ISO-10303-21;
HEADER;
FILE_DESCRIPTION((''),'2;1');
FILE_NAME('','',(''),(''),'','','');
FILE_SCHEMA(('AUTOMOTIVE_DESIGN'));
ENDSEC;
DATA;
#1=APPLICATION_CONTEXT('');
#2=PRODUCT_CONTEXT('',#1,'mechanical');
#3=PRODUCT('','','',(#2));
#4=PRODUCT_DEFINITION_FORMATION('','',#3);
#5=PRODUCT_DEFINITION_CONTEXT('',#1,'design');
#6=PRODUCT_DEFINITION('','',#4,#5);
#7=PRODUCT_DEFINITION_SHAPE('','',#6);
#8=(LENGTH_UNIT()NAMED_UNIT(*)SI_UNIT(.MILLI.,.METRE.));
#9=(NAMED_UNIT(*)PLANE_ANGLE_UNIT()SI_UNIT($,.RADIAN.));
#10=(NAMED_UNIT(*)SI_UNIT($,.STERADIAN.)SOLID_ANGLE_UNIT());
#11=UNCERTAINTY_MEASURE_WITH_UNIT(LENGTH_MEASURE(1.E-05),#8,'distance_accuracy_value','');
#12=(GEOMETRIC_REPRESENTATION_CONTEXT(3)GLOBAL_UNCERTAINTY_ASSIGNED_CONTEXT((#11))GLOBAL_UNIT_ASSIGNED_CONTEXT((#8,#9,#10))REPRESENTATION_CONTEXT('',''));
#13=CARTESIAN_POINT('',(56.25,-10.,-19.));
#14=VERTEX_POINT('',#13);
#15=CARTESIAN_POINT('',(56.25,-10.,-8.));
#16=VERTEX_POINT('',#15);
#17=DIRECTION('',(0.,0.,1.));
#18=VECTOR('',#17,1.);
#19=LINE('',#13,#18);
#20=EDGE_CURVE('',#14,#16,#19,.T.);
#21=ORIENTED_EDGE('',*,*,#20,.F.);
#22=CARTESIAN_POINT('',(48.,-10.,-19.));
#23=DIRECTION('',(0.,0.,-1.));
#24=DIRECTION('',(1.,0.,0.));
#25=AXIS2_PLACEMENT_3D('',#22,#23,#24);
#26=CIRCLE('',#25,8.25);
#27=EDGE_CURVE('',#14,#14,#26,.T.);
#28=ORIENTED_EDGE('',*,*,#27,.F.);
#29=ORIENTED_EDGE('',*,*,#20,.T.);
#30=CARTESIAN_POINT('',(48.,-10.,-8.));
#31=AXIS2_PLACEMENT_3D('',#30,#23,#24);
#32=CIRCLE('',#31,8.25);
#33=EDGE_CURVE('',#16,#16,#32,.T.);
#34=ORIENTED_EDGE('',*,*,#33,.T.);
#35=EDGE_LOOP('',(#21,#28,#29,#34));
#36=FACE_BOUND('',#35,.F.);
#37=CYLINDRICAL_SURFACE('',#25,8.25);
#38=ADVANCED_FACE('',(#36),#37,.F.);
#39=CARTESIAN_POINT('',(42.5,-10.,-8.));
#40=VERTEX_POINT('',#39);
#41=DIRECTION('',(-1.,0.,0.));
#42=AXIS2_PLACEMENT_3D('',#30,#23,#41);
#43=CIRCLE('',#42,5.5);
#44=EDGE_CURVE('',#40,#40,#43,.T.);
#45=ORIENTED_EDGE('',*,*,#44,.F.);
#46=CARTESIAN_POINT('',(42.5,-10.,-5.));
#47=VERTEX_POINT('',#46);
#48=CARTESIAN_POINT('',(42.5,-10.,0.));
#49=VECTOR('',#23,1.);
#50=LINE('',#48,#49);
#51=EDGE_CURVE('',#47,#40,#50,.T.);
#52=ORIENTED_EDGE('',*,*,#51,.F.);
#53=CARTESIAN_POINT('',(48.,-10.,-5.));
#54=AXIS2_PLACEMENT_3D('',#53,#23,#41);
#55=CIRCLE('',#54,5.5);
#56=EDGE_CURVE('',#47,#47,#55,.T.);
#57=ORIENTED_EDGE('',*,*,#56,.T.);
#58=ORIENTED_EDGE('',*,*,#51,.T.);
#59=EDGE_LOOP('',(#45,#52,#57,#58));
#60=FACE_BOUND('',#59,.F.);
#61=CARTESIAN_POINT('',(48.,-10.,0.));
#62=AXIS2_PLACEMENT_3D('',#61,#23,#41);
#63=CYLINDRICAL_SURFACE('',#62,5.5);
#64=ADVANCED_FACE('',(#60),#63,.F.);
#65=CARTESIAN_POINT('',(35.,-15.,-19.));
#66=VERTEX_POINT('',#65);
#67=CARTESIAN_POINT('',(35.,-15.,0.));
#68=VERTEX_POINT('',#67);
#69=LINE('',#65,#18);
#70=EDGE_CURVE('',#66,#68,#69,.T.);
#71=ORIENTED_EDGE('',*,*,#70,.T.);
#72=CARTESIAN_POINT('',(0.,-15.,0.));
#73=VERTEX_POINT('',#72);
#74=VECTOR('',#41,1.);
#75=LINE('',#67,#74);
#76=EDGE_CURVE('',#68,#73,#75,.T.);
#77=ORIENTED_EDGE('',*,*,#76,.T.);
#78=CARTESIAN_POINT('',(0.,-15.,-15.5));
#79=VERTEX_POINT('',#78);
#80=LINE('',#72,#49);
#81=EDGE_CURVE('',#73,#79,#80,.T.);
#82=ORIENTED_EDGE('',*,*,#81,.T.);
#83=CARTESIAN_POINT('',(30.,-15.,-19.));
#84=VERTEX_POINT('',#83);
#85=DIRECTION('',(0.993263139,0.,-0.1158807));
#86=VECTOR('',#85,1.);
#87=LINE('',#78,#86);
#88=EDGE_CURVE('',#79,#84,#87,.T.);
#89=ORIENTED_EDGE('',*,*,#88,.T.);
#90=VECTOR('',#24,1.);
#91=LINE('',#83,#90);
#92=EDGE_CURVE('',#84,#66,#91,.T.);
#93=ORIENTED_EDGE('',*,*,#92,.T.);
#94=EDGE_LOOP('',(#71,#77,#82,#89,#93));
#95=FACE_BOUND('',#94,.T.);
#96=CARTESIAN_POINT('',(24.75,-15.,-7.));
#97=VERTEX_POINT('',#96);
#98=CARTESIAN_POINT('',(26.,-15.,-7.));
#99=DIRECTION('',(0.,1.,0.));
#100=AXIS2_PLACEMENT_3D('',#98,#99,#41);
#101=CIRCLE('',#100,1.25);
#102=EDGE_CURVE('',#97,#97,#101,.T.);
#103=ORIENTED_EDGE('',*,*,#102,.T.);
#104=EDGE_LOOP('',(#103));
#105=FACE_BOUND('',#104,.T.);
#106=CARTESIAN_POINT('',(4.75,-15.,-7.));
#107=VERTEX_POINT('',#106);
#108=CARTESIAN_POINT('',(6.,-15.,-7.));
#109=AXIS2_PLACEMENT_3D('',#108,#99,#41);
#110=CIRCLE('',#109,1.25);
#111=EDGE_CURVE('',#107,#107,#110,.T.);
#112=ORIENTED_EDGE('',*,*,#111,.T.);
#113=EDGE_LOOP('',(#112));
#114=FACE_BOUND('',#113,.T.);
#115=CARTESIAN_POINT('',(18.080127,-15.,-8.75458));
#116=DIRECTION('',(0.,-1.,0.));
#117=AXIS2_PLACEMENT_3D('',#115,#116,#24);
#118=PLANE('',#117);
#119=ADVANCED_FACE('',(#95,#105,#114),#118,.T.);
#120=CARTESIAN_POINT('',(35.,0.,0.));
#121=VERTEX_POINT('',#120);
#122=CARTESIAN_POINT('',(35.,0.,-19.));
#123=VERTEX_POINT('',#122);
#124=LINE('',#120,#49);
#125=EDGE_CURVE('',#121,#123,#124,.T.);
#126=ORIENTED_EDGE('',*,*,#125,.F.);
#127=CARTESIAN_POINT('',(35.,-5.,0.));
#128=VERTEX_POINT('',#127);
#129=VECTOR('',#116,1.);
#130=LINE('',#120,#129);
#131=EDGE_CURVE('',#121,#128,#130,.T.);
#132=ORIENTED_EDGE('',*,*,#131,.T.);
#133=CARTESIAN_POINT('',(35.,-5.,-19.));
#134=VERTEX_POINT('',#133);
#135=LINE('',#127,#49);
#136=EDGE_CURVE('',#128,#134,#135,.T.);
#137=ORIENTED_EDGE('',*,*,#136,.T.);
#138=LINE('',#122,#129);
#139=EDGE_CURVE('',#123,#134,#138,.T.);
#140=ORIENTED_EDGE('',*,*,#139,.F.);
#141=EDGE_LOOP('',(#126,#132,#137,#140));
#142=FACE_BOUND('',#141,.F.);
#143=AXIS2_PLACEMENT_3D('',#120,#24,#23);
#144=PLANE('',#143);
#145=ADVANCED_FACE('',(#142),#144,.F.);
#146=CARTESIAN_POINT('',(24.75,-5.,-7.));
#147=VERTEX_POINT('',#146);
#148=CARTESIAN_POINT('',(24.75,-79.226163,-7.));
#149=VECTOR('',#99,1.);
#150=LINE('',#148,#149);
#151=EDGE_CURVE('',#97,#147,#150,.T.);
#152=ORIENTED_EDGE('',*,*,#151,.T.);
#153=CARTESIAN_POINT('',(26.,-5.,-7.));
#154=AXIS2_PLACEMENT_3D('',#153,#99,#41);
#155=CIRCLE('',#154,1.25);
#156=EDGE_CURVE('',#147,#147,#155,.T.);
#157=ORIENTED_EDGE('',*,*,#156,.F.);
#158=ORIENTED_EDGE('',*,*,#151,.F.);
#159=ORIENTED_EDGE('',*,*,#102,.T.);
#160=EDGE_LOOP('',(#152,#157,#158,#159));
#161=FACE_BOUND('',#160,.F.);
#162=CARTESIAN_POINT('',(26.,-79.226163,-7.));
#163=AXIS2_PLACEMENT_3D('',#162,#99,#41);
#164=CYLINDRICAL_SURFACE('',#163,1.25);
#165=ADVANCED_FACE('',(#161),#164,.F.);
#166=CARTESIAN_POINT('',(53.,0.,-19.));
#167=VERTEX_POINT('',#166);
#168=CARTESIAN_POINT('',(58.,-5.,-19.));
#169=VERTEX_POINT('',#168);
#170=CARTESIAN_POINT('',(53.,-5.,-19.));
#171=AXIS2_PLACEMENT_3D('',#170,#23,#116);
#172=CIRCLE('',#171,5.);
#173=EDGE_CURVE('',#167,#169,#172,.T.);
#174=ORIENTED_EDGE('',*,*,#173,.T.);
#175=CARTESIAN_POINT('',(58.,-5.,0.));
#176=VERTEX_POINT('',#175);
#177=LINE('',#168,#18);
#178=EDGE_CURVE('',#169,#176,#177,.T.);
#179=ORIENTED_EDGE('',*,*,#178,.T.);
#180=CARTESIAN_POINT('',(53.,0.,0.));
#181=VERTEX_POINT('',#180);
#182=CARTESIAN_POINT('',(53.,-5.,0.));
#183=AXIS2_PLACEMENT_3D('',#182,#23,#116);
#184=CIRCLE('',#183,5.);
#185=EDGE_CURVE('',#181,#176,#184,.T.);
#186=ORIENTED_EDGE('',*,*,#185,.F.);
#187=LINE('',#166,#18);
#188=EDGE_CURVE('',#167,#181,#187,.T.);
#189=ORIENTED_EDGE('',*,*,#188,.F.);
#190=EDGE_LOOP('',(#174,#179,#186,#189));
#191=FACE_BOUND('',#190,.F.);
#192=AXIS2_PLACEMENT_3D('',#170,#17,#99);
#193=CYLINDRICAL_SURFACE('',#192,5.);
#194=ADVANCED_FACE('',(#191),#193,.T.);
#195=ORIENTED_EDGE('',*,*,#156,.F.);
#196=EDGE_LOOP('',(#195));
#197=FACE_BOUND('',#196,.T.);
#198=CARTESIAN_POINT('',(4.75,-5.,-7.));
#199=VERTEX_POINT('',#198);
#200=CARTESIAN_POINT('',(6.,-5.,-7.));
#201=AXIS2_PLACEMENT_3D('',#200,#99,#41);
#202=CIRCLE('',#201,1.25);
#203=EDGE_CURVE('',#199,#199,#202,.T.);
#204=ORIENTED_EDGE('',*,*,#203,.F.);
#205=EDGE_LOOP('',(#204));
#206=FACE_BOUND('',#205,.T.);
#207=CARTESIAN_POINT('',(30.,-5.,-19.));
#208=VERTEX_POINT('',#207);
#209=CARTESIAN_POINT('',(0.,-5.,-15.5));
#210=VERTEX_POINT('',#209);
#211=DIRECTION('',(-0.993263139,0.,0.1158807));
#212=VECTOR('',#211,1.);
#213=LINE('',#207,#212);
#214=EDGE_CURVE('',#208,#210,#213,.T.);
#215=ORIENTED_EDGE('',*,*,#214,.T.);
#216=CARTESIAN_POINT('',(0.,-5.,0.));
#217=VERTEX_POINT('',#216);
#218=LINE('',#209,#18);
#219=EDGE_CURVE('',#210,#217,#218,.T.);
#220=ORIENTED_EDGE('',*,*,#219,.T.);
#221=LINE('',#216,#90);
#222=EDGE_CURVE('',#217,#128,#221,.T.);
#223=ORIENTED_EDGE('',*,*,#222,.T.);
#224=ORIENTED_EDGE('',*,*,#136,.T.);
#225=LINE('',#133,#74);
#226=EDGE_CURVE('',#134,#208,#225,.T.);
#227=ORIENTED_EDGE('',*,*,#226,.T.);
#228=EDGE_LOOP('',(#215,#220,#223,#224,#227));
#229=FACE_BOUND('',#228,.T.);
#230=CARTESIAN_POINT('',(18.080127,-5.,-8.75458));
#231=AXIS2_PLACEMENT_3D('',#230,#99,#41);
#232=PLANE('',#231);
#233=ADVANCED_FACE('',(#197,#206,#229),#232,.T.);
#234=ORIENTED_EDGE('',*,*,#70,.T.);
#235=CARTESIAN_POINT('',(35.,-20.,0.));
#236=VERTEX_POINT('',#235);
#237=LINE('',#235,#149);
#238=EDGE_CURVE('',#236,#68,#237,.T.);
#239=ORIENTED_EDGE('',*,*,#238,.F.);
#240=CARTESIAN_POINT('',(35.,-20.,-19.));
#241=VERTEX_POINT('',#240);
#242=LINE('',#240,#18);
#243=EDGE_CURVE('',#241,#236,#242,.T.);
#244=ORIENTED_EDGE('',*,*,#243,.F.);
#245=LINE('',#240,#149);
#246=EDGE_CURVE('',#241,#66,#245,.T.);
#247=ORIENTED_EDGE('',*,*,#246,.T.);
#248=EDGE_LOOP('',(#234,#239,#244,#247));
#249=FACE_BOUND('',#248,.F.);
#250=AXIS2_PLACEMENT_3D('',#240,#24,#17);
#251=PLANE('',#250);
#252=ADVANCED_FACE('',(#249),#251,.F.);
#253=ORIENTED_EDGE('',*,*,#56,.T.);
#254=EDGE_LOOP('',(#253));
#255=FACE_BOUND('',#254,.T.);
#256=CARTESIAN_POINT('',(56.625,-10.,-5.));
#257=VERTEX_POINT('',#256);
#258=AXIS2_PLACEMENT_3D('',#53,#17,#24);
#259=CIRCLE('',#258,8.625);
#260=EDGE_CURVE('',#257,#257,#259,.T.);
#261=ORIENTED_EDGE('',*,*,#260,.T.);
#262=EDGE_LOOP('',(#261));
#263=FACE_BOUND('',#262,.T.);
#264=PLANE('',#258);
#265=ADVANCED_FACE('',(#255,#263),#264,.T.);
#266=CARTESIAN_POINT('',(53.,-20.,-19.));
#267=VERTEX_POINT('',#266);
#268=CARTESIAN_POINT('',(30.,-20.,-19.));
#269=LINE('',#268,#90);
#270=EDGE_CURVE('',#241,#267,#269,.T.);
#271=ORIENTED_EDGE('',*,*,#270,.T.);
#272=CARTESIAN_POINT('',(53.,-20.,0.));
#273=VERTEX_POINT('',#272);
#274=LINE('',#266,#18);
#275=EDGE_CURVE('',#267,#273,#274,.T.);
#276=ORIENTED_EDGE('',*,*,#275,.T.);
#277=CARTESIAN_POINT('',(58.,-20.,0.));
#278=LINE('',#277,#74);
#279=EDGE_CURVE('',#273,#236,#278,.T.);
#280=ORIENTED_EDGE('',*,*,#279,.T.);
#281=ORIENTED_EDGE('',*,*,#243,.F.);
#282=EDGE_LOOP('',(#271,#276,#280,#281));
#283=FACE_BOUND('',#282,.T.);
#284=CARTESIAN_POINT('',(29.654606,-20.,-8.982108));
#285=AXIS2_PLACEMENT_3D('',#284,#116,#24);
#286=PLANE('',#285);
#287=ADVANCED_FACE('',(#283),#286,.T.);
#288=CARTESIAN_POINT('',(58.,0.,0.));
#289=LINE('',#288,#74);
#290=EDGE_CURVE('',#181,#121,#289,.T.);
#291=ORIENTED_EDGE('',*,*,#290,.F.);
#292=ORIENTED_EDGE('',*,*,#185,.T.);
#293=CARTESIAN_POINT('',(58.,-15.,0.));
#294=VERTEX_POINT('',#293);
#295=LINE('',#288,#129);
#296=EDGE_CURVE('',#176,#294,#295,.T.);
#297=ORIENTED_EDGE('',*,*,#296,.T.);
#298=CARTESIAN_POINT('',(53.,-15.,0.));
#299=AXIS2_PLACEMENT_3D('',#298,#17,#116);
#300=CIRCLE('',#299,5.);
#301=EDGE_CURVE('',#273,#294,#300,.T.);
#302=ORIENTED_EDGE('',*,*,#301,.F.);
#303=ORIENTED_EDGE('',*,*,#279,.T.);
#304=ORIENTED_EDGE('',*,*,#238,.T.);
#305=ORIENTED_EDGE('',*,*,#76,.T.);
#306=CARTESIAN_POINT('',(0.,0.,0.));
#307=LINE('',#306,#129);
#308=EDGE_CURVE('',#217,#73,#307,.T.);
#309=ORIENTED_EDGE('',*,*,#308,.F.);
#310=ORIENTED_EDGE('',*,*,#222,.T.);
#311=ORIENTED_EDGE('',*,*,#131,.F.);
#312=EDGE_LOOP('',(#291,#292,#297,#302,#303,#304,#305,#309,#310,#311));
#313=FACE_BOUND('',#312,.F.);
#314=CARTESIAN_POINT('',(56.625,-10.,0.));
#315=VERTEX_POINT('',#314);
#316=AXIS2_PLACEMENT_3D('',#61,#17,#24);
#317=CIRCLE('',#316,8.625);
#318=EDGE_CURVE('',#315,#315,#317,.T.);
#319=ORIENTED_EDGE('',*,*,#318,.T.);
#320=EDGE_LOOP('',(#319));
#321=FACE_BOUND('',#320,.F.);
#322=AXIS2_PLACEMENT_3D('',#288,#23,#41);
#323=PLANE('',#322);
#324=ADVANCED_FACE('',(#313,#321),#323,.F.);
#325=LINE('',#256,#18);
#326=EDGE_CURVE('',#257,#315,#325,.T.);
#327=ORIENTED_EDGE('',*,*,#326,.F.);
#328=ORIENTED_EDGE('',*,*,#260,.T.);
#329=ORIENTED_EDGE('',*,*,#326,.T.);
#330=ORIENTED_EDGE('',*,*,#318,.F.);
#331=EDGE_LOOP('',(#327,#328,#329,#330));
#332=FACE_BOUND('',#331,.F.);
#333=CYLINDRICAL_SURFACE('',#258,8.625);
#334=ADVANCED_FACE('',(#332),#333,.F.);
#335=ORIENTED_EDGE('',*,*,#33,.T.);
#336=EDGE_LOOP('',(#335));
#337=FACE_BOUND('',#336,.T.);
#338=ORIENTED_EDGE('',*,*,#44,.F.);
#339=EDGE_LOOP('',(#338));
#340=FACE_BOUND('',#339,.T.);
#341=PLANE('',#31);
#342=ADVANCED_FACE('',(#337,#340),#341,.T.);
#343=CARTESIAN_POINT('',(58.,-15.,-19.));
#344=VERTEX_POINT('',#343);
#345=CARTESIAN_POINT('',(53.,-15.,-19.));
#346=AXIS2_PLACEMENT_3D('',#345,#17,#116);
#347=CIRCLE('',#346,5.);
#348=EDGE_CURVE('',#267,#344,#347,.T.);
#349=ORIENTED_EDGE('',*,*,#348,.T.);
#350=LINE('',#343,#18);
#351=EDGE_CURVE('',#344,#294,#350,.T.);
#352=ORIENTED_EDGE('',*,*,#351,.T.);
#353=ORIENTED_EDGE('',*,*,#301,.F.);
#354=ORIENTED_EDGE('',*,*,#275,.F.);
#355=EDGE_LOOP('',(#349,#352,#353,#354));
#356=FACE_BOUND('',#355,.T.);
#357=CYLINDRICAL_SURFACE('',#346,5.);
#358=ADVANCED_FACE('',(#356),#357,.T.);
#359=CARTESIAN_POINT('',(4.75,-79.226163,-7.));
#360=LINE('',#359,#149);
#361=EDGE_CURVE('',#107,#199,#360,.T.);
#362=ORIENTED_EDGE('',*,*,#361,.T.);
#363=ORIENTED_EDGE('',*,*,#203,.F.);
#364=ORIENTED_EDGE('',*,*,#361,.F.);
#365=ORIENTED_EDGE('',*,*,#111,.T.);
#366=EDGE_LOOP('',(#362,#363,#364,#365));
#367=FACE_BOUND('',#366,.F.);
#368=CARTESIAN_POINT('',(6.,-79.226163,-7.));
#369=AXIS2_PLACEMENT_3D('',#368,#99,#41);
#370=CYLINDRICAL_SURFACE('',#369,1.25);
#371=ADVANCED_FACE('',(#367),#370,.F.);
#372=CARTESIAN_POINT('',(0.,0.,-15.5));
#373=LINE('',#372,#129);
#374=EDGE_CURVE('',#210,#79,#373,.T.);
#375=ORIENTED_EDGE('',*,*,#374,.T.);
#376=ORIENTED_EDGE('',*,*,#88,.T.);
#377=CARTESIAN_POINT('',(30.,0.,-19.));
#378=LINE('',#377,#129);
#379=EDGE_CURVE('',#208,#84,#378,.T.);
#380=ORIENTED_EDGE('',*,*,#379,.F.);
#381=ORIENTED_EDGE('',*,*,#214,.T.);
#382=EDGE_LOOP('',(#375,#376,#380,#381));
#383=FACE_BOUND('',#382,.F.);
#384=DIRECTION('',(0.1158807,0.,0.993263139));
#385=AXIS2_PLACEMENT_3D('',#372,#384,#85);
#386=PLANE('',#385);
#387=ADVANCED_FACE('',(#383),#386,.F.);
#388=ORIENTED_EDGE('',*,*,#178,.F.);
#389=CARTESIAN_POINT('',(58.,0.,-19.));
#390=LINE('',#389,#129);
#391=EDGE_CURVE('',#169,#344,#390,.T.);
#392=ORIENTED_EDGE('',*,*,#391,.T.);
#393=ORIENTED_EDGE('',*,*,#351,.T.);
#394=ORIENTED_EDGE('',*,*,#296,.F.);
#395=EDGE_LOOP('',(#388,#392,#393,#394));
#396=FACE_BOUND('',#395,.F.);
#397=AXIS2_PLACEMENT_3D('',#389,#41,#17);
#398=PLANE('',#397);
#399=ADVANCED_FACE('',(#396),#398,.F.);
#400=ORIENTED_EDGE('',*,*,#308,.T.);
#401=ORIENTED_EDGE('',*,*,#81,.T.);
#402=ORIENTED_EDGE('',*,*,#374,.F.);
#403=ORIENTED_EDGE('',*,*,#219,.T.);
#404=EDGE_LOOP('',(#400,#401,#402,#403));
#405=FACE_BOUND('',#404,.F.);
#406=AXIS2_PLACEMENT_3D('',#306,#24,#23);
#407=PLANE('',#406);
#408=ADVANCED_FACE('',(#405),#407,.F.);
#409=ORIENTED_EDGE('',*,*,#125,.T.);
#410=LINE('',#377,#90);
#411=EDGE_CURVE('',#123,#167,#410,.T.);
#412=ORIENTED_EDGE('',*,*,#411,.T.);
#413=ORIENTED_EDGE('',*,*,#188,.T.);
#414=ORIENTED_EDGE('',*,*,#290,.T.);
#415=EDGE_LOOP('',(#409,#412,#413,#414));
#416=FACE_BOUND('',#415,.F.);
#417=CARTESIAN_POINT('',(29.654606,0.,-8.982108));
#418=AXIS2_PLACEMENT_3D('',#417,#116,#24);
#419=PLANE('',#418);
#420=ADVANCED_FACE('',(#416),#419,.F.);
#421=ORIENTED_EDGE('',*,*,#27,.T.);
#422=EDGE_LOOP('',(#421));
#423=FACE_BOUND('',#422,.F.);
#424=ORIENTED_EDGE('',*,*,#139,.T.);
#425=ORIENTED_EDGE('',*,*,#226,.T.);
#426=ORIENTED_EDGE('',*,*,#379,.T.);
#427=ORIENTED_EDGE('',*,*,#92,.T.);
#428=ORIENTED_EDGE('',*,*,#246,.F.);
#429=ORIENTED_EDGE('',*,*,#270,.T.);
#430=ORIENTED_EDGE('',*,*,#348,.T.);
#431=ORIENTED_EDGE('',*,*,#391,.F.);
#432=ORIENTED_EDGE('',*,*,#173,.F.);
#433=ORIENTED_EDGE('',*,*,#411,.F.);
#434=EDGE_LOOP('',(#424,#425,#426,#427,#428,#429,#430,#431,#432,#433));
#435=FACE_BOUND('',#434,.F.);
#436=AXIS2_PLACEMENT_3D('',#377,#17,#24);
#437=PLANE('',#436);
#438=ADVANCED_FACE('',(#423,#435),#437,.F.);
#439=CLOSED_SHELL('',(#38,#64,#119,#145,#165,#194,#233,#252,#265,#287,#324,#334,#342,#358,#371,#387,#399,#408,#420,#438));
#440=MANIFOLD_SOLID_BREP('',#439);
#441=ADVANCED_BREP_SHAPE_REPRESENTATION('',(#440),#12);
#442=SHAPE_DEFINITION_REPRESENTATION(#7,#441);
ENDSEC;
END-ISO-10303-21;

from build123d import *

# Parameters (mm, degrees)
F1_DEPTH       = 20
F3_D           = 11
F3_CBORE_D     = 17.25
F3_CBORE_DEPTH = 5
F4_R           = 8.25
F5_DEPTH       = 11
F7_DEPTH       = 5
F9_DEPTH       = 5
F11_D          = 2.5
F12_R          = 5


with BuildPart() as f1:
    # F0 (on Front) → F1 (new body)
    with BuildSketch(Plane.XZ):
        Polygon((58, 0), (0, 0), (0, -15.5), (30, -19), (58, -19), align=None)
    extrude(amount=F1_DEPTH)

    # F3 (through all)
    with Locations(Plane.XY):
        with Locations((48, -10)):
            CounterBoreHole(F3_D / 2, F3_CBORE_D / 2, F3_CBORE_DEPTH)

    # F4 (on face) → F5 (cut)
    with BuildSketch(Plane(origin=(0, 0, -19), x_dir=(1, 0, 0), z_dir=(0, 0, -1))):
        with Locations((48, 10)):
            Circle(F4_R)
    extrude(amount=-F5_DEPTH, mode=Mode.SUBTRACT)

    # F6 (on face) → F7 (cut)
    with BuildSketch(Plane.XZ.offset(20)):
        Polygon((35, -19), (35, 0), (0, 0), (0, -15.5), (30, -19), align=None)
    extrude(amount=-F7_DEPTH, mode=Mode.SUBTRACT)

    # F8 (on face) → F9 (cut)
    with BuildSketch(Plane(origin=(0, 0, 0), x_dir=(-1, 0, 0), z_dir=(0, 1, 0))):
        Polygon((0, 0), (-35, 0), (-35, -19), (-30, -19), (0, -15.5), align=None)
    extrude(amount=-F9_DEPTH, mode=Mode.SUBTRACT)

    # F11 (through all)
    with Locations(Plane.XZ.offset(15)):
        with Locations((6, -7), (26, -7)):
            Hole(F11_D / 2)

    # F12
    f12_edges = [f1.edges().sort_by_distance(p)[0] for p in [
        (58, -20, -9.5),
        (58, 0, -9.5),
    ]]
    fillet(f12_edges, radius=F12_R)


solid = f1.part
